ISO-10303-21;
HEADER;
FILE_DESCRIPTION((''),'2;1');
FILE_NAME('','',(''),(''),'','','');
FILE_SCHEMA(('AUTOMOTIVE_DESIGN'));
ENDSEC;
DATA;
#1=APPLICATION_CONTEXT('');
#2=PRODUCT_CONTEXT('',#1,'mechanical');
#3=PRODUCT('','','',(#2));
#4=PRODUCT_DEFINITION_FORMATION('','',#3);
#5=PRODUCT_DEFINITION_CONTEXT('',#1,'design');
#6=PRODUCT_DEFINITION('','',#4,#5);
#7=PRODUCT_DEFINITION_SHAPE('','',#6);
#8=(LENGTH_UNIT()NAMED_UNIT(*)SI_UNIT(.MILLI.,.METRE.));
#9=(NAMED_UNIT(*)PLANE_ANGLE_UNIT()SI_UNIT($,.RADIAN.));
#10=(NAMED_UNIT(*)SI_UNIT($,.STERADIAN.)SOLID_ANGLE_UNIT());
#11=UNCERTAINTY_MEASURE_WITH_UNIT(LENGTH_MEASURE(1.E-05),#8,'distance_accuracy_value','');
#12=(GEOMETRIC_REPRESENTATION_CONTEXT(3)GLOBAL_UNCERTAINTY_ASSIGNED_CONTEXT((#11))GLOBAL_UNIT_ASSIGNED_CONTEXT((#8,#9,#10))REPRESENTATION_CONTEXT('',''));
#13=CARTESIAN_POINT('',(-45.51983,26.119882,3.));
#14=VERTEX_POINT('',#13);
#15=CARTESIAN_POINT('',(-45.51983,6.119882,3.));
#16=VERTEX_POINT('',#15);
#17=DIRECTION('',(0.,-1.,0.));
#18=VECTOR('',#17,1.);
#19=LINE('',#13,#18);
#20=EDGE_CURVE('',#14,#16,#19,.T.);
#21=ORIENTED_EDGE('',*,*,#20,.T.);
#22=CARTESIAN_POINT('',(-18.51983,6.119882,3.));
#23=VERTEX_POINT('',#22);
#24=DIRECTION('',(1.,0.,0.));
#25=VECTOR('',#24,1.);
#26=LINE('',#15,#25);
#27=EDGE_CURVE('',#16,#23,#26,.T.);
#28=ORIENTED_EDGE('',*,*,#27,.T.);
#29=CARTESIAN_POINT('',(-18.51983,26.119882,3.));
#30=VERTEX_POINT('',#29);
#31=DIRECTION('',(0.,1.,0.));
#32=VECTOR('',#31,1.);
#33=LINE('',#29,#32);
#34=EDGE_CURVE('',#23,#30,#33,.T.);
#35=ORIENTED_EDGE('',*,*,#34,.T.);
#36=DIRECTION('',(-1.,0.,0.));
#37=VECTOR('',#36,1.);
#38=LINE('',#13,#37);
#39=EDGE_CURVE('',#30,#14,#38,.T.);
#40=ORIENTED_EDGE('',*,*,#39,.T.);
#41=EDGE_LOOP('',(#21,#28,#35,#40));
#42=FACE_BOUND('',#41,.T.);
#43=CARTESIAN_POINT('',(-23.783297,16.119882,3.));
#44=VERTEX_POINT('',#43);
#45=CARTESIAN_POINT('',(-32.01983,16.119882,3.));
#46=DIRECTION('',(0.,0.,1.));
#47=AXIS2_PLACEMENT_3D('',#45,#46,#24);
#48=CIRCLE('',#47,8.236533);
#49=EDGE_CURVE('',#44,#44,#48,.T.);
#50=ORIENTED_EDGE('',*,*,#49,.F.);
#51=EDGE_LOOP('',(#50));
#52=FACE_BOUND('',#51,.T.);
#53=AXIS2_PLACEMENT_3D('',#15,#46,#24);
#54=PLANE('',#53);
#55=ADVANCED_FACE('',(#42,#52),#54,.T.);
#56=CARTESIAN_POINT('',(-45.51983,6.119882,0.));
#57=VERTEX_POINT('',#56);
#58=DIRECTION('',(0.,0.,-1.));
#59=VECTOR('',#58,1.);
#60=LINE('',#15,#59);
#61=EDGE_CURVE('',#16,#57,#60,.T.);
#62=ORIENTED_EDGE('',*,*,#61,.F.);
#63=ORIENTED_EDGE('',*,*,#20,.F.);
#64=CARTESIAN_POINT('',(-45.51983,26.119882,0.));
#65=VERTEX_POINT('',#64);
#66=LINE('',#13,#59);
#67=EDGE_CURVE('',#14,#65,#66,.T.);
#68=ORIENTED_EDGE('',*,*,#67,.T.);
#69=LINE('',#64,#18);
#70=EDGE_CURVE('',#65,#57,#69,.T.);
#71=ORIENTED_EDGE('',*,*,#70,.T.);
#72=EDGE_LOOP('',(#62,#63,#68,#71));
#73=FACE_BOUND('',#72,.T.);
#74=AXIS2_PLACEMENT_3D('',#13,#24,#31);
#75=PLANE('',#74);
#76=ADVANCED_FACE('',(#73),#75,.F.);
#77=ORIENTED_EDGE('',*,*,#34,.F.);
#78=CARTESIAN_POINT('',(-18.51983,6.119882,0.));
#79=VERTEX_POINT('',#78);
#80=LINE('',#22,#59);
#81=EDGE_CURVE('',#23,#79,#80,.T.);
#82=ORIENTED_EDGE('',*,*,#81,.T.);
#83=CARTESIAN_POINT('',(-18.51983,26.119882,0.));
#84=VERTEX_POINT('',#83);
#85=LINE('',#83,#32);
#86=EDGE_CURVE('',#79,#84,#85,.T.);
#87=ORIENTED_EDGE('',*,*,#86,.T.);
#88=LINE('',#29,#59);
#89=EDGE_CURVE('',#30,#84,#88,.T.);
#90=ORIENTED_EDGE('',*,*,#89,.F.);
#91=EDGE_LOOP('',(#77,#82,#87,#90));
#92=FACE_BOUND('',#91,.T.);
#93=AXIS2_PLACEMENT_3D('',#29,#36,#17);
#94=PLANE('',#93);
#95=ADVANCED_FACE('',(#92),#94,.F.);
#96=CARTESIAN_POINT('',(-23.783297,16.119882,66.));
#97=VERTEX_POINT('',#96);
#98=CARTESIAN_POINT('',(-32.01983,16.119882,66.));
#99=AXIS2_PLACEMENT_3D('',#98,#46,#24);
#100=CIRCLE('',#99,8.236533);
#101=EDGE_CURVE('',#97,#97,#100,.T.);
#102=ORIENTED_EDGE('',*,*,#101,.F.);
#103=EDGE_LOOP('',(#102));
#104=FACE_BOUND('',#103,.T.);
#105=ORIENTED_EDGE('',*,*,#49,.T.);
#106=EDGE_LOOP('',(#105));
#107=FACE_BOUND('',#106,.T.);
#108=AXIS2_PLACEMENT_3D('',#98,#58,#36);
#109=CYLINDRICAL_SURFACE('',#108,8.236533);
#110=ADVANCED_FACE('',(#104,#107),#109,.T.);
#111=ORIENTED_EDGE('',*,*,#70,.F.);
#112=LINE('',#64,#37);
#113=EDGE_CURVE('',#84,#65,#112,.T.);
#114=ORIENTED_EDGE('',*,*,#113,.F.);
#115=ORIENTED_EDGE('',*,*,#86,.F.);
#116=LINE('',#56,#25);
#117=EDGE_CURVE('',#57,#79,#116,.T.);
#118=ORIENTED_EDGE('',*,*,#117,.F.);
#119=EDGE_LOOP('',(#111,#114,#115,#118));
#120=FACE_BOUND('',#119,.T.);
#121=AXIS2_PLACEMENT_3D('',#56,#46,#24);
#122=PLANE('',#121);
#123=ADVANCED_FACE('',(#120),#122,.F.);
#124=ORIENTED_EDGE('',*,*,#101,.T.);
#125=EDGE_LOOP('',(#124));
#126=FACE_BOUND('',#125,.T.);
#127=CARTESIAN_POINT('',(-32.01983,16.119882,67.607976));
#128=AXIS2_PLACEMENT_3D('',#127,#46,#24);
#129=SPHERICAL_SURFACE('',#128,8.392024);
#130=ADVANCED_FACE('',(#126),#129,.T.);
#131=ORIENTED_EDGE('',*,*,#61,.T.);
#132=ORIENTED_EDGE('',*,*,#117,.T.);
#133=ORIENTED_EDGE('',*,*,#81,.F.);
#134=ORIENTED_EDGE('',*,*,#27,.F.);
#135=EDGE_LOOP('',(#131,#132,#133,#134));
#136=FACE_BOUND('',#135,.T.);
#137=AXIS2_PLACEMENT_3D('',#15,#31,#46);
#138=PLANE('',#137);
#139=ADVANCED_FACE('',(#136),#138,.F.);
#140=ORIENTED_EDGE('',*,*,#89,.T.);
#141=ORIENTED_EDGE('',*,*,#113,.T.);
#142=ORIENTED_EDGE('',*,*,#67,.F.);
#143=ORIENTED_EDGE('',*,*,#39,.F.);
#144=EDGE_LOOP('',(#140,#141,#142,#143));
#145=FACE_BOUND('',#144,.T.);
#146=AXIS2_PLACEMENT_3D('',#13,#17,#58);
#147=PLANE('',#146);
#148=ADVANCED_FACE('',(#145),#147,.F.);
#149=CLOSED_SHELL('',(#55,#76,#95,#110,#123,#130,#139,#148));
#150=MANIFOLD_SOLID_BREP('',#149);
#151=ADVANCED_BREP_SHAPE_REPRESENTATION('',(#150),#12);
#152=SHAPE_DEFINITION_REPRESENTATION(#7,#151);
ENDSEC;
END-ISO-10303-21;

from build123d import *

# Parameters (mm, degrees)
ESQUISSE1_W        = 27
ESQUISSE1_H        = 20
BOSS_EXTRU_1_DEPTH = 3
ESQUISSE2_R        = 8.23653306
BOSS_EXTRU_2_DEPTH = 63
D_ME1_FACE_RADIUS  = 8.23653306
D_ME1_HEIGHT       = 10


with BuildPart() as part:
    # Esquisse1 → Boss.-Extru.1 (new body)
    with BuildSketch(Plane.XY):
        with Locations((-32.019829949, 16.119881557)):
            Rectangle(ESQUISSE1_W, ESQUISSE1_H)
    extrude(amount=BOSS_EXTRU_1_DEPTH)

    # Esquisse2 → Boss.-Extru.2 (add)
    with BuildSketch(Plane.XY.offset(3)):
        with Locations((-32.019829949, 16.119881557)):
            Circle(ESQUISSE2_R)
    extrude(amount=BOSS_EXTRU_2_DEPTH)

    # Dôme1: a dome of height H over a round flat face of radius A is a cap of a sphere of radius (A * A + H * H) / (2 * H)
    d_me1_r = (D_ME1_FACE_RADIUS * D_ME1_FACE_RADIUS + D_ME1_HEIGHT * D_ME1_HEIGHT) / (2 * D_ME1_HEIGHT)
    d_me1_base = Plane((-32.019829949, 16.119881557, 66), z_dir=(0, 0, 1))
    with Locations(d_me1_base.offset(D_ME1_HEIGHT - d_me1_r)):
        d_me1_ball = Sphere(d_me1_r, mode=Mode.PRIVATE)
    add(split(d_me1_ball, bisect_by=d_me1_base, keep=Keep.TOP, mode=Mode.PRIVATE))


solid = part.part
